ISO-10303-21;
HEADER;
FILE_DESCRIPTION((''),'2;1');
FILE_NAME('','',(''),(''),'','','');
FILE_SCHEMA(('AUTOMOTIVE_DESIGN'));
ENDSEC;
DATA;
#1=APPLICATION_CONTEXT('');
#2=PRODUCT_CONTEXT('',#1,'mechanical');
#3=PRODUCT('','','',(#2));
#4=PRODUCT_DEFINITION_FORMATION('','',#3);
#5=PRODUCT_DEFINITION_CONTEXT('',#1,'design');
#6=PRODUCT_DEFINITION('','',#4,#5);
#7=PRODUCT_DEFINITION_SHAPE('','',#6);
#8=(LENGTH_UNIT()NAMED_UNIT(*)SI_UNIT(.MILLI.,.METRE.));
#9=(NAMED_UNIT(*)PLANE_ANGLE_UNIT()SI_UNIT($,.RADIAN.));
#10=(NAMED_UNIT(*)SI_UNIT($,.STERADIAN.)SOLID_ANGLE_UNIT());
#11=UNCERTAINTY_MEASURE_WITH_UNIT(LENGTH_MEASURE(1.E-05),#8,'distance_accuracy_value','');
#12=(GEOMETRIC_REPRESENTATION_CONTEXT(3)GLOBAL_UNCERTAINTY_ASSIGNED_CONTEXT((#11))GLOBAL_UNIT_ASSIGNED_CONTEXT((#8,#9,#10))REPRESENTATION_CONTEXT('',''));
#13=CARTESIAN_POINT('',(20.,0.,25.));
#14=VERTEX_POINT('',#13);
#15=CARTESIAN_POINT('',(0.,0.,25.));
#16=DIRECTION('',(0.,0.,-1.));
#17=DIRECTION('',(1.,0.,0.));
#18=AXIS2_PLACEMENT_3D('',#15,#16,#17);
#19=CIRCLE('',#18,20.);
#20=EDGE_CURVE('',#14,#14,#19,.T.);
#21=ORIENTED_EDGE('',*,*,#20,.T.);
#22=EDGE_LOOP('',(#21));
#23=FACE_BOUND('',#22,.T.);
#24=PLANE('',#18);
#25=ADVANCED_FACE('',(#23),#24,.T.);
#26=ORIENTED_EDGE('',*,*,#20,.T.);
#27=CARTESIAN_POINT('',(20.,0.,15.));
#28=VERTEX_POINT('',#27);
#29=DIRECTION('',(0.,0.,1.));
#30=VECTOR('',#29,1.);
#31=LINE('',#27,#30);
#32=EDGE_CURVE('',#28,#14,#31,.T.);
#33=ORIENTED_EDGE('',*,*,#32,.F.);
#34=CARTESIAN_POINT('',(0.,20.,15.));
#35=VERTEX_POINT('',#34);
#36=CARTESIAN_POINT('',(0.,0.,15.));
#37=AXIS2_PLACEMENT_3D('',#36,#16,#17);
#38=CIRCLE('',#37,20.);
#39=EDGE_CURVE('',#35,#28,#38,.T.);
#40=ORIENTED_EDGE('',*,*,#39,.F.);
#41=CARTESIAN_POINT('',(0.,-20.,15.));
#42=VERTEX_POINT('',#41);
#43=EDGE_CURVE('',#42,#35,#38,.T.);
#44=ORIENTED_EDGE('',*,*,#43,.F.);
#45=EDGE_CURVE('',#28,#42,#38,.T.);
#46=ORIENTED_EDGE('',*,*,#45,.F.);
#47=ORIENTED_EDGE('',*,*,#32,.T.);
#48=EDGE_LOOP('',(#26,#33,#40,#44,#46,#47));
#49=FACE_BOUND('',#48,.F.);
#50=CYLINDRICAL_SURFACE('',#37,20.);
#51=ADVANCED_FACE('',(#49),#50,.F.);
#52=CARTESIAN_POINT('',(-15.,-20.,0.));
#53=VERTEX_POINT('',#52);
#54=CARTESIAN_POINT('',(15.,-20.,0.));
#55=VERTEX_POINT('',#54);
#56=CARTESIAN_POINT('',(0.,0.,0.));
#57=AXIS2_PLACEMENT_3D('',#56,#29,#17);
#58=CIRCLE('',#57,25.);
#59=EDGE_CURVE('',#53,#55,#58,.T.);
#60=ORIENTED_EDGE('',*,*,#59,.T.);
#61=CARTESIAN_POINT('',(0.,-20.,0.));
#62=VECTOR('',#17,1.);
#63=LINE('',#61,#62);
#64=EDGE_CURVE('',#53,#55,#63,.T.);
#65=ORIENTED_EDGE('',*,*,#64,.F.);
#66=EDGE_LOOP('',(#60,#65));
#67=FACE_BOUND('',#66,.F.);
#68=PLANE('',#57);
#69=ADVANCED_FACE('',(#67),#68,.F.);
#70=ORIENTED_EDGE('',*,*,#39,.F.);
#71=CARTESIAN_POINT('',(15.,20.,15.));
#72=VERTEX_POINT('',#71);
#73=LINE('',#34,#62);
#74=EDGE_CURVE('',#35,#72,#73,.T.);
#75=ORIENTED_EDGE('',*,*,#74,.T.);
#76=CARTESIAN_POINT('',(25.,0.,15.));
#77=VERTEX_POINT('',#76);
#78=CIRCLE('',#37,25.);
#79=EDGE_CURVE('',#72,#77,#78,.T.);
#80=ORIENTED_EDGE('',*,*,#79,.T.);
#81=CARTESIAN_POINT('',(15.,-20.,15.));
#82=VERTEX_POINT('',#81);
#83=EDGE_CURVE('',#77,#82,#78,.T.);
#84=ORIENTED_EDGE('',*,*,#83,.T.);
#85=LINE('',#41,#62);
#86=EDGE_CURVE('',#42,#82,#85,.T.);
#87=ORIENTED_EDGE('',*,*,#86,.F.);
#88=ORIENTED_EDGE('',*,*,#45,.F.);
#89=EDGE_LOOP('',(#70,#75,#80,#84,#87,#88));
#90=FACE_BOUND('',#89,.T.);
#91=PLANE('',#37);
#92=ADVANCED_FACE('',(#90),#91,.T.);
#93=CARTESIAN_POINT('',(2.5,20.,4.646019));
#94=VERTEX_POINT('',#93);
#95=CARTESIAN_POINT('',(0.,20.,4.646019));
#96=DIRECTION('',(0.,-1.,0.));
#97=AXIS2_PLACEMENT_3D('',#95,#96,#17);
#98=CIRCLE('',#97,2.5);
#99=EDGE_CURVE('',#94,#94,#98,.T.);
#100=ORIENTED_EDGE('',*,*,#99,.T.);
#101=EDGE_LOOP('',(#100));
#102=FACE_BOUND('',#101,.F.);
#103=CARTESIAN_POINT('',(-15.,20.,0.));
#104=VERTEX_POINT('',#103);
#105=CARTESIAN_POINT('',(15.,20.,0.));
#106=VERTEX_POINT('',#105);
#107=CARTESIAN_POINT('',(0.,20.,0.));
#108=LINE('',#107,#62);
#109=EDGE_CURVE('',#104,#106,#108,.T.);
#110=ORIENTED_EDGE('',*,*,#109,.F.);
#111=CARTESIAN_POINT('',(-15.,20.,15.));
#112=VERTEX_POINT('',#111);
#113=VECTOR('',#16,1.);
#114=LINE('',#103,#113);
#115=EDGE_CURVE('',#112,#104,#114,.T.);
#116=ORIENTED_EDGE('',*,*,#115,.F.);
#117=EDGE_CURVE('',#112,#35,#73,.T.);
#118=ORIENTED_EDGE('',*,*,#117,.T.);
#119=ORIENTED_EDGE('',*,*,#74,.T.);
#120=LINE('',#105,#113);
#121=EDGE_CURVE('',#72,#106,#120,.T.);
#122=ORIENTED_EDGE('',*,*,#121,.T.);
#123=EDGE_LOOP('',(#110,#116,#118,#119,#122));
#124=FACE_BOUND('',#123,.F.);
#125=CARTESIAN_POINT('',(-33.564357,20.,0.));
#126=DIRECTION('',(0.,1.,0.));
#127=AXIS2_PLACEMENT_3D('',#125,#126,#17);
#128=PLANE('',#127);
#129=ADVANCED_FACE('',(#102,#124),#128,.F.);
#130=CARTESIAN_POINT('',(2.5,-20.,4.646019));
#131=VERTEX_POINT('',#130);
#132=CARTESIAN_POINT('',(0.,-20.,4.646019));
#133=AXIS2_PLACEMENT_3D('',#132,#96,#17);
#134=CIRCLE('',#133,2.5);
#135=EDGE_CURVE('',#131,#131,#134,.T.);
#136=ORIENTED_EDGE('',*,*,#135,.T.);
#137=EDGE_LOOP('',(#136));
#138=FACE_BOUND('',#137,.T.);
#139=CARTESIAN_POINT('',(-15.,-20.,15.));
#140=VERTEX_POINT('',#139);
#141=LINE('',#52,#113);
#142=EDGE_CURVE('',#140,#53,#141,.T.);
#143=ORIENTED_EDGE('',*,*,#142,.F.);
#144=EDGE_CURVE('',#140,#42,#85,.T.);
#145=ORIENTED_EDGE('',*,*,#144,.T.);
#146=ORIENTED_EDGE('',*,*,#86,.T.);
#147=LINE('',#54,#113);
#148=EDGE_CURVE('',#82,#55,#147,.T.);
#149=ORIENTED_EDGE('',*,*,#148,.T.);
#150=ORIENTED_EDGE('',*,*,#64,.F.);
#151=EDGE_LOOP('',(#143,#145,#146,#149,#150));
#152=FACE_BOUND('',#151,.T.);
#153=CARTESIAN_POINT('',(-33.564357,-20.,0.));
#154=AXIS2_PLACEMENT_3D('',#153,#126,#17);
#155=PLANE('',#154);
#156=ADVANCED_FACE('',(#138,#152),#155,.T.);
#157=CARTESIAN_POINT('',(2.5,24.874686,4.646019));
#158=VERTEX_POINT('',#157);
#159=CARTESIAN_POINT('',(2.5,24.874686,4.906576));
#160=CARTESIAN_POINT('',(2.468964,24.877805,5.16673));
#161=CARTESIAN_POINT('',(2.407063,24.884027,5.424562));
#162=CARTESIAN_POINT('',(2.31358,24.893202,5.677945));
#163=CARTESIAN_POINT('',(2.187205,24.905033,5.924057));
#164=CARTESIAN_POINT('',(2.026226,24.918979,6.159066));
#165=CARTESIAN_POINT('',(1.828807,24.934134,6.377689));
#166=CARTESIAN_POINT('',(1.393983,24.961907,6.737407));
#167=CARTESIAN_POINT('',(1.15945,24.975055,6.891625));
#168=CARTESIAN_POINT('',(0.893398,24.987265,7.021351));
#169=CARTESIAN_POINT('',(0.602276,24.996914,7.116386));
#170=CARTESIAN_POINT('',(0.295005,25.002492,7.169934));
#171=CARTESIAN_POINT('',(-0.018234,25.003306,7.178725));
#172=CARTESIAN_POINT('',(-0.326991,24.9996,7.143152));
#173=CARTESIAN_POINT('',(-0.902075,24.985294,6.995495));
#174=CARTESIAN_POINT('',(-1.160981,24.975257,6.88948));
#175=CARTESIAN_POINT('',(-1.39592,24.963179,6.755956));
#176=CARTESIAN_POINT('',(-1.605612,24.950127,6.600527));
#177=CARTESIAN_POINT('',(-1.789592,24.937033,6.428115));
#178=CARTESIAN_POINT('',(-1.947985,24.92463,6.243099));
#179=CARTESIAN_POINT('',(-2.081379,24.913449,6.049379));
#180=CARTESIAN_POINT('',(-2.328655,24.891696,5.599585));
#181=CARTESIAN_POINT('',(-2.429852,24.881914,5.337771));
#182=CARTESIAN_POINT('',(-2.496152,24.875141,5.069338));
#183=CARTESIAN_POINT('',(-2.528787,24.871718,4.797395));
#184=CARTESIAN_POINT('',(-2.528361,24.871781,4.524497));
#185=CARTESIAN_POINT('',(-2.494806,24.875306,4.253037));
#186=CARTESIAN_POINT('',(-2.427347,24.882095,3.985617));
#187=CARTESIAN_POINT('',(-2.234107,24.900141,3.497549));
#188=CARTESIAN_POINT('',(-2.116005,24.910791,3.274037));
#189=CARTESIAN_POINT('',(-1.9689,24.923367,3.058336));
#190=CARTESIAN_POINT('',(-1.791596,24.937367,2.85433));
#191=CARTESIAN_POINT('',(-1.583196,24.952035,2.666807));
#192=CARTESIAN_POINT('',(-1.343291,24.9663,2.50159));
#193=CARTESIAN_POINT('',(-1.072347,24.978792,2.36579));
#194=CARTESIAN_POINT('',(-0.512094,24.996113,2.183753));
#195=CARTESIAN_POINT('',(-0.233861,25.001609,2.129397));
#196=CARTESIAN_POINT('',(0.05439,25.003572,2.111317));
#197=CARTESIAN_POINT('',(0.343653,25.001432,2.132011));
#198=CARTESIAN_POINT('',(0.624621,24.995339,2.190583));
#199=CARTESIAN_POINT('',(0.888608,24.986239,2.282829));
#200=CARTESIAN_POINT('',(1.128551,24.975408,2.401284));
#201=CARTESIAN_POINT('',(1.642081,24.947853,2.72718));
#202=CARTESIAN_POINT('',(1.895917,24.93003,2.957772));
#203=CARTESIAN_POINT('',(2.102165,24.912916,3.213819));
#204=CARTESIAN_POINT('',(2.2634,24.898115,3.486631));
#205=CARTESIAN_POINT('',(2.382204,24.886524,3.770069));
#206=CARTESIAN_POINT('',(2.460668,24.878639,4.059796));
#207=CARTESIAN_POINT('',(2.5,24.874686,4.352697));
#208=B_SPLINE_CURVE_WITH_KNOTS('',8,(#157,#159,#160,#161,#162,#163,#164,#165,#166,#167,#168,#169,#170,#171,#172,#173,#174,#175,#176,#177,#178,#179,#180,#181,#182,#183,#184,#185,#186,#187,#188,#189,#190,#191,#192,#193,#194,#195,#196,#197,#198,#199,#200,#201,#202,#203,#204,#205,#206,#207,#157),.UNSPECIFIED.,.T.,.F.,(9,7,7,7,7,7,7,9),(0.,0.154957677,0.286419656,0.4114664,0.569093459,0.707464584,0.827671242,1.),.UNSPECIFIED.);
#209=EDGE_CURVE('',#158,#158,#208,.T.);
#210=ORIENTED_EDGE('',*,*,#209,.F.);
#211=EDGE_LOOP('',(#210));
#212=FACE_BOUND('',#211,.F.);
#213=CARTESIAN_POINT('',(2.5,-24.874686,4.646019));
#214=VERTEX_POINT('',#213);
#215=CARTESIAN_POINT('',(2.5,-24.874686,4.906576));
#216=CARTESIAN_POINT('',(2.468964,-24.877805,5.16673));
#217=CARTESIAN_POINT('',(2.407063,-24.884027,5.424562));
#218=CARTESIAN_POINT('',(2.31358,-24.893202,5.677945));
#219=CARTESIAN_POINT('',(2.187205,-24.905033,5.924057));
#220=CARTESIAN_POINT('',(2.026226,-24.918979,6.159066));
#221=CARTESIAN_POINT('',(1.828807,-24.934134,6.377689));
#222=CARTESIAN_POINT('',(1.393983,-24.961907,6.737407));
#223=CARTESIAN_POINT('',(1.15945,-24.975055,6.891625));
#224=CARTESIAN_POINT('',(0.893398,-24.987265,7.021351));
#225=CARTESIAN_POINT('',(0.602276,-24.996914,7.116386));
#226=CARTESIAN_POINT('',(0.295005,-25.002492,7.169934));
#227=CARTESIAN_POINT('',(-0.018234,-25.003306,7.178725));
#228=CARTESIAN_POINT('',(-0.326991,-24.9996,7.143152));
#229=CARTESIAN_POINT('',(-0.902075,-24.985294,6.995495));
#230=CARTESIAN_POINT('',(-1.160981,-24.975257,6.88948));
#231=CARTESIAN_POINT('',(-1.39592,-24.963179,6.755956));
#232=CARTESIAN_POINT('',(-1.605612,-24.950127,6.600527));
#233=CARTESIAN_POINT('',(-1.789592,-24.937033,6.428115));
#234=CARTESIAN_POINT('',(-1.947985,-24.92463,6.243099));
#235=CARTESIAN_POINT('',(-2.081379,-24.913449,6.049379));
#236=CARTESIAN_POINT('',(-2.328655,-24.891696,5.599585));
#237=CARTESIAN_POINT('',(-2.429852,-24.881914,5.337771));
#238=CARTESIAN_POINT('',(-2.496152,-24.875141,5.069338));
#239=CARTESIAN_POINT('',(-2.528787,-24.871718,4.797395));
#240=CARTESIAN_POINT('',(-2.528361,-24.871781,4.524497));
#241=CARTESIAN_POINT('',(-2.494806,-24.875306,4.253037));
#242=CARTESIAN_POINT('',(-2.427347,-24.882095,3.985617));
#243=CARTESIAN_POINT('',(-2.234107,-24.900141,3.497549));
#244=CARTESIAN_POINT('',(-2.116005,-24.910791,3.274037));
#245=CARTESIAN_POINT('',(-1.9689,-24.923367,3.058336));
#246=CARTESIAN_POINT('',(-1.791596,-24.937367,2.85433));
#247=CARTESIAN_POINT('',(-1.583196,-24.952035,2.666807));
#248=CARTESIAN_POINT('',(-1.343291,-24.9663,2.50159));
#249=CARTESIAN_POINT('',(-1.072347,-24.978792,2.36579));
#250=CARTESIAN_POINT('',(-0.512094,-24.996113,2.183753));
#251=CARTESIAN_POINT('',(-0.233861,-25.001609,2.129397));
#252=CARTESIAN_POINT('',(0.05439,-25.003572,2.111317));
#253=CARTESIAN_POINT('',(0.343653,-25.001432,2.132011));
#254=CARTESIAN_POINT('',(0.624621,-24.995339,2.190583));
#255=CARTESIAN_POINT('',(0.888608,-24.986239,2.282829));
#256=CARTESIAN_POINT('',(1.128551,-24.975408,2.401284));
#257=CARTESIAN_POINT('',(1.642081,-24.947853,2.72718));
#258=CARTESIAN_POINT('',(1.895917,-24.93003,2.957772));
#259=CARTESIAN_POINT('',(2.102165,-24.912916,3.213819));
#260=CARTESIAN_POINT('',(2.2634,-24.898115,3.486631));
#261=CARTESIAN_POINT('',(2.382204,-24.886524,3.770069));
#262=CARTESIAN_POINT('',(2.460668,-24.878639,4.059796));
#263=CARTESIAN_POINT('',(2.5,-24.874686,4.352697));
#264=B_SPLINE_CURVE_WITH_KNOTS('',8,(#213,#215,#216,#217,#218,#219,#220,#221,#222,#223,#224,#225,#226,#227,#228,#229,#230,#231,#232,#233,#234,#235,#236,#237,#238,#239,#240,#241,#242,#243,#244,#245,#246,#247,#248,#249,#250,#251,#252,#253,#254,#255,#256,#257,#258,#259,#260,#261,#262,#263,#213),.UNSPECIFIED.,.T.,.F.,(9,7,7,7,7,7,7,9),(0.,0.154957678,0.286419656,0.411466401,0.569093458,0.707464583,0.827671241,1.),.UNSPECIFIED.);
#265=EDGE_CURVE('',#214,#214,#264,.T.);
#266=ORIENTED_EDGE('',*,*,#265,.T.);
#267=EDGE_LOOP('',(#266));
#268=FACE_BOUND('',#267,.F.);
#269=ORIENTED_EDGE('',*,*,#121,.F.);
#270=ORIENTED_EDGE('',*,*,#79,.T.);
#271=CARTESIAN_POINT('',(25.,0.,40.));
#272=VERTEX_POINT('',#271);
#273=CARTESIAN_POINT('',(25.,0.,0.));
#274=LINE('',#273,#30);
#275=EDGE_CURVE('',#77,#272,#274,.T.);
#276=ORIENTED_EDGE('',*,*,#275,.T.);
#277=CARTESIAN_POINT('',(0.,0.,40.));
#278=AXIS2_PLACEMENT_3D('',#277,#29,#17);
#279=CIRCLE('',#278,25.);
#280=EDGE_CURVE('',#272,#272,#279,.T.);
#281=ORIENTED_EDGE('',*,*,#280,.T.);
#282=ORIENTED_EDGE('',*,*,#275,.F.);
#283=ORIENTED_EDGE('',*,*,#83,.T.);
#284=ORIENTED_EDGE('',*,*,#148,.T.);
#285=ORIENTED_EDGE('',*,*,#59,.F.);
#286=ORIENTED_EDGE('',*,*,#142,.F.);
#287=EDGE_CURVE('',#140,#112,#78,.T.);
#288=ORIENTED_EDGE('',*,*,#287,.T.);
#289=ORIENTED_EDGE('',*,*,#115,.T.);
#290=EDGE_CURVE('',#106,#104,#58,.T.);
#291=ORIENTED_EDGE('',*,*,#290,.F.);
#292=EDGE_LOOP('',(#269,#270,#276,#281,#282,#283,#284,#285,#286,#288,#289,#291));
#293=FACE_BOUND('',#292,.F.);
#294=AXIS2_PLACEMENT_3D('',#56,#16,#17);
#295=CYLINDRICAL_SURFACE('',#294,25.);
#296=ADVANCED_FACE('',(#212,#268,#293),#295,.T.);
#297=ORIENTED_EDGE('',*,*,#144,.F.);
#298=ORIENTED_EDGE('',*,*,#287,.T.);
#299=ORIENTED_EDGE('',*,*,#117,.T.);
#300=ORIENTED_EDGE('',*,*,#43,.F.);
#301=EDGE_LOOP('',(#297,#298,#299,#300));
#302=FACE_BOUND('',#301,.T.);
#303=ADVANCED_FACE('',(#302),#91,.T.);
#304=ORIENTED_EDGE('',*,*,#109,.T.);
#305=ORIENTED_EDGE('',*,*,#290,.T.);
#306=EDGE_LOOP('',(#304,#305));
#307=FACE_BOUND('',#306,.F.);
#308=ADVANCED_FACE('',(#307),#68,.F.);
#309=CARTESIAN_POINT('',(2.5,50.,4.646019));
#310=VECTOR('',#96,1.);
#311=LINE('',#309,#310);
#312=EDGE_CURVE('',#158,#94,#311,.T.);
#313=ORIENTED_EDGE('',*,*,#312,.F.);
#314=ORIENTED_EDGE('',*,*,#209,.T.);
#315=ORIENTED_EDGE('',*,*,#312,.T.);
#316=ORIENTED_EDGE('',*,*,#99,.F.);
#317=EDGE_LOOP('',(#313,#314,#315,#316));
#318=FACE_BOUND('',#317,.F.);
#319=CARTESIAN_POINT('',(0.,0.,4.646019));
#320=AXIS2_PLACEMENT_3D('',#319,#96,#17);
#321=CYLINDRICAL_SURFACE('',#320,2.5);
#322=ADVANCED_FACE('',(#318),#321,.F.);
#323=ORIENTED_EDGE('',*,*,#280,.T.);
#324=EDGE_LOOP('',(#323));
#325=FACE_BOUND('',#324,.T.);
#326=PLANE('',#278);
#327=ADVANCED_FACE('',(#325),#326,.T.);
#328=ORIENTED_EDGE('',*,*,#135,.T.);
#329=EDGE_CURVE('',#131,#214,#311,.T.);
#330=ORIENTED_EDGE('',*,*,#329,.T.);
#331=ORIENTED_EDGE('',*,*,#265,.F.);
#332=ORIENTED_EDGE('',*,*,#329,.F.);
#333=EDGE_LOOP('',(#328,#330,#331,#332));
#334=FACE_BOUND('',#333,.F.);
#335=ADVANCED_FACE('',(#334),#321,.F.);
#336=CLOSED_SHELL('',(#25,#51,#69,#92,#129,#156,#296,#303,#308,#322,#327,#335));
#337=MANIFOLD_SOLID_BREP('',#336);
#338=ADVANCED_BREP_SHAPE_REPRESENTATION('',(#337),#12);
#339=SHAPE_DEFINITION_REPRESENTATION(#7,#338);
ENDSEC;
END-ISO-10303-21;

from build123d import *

# Parameters (mm, degrees)
F0_R     = 25
F1_DEPTH = 40
F2_W     = 67.128714
F2_H     = 40
F3_DEPTH = 15
F4_R     = 20
F5_DEPTH = 10
F6_R     = 2.5
F7_DEPTH = 50


with BuildPart() as f1:
    # F0 (on Top) → F1 (new body)
    with BuildSketch(Plane.XY):
        Circle(F0_R)
    extrude(amount=F1_DEPTH)

    # F2 (on face) → F3 (cut)
    with BuildSketch(Plane(origin=(0, 0, 0), x_dir=(1, 0, 0), z_dir=(0, 0, -1))):
        Rectangle(F2_W, F2_H)
    extrude(amount=-F3_DEPTH, mode=Mode.SUBTRACT)

    # F4 (on face) → F5 (cut)
    with BuildSketch(Plane(origin=(0, 0, 15), x_dir=(1, 0, 0), z_dir=(0, 0, -1))):
        Circle(F4_R)
    extrude(amount=-F5_DEPTH, mode=Mode.SUBTRACT)

    # F6 (on Front) → F7 (cut, symmetric)
    with BuildSketch(Plane.XZ):
        with Locations((0, 4.646019)):
            Circle(F6_R)
    extrude(amount=F7_DEPTH, both=True, mode=Mode.SUBTRACT)


solid = f1.part
